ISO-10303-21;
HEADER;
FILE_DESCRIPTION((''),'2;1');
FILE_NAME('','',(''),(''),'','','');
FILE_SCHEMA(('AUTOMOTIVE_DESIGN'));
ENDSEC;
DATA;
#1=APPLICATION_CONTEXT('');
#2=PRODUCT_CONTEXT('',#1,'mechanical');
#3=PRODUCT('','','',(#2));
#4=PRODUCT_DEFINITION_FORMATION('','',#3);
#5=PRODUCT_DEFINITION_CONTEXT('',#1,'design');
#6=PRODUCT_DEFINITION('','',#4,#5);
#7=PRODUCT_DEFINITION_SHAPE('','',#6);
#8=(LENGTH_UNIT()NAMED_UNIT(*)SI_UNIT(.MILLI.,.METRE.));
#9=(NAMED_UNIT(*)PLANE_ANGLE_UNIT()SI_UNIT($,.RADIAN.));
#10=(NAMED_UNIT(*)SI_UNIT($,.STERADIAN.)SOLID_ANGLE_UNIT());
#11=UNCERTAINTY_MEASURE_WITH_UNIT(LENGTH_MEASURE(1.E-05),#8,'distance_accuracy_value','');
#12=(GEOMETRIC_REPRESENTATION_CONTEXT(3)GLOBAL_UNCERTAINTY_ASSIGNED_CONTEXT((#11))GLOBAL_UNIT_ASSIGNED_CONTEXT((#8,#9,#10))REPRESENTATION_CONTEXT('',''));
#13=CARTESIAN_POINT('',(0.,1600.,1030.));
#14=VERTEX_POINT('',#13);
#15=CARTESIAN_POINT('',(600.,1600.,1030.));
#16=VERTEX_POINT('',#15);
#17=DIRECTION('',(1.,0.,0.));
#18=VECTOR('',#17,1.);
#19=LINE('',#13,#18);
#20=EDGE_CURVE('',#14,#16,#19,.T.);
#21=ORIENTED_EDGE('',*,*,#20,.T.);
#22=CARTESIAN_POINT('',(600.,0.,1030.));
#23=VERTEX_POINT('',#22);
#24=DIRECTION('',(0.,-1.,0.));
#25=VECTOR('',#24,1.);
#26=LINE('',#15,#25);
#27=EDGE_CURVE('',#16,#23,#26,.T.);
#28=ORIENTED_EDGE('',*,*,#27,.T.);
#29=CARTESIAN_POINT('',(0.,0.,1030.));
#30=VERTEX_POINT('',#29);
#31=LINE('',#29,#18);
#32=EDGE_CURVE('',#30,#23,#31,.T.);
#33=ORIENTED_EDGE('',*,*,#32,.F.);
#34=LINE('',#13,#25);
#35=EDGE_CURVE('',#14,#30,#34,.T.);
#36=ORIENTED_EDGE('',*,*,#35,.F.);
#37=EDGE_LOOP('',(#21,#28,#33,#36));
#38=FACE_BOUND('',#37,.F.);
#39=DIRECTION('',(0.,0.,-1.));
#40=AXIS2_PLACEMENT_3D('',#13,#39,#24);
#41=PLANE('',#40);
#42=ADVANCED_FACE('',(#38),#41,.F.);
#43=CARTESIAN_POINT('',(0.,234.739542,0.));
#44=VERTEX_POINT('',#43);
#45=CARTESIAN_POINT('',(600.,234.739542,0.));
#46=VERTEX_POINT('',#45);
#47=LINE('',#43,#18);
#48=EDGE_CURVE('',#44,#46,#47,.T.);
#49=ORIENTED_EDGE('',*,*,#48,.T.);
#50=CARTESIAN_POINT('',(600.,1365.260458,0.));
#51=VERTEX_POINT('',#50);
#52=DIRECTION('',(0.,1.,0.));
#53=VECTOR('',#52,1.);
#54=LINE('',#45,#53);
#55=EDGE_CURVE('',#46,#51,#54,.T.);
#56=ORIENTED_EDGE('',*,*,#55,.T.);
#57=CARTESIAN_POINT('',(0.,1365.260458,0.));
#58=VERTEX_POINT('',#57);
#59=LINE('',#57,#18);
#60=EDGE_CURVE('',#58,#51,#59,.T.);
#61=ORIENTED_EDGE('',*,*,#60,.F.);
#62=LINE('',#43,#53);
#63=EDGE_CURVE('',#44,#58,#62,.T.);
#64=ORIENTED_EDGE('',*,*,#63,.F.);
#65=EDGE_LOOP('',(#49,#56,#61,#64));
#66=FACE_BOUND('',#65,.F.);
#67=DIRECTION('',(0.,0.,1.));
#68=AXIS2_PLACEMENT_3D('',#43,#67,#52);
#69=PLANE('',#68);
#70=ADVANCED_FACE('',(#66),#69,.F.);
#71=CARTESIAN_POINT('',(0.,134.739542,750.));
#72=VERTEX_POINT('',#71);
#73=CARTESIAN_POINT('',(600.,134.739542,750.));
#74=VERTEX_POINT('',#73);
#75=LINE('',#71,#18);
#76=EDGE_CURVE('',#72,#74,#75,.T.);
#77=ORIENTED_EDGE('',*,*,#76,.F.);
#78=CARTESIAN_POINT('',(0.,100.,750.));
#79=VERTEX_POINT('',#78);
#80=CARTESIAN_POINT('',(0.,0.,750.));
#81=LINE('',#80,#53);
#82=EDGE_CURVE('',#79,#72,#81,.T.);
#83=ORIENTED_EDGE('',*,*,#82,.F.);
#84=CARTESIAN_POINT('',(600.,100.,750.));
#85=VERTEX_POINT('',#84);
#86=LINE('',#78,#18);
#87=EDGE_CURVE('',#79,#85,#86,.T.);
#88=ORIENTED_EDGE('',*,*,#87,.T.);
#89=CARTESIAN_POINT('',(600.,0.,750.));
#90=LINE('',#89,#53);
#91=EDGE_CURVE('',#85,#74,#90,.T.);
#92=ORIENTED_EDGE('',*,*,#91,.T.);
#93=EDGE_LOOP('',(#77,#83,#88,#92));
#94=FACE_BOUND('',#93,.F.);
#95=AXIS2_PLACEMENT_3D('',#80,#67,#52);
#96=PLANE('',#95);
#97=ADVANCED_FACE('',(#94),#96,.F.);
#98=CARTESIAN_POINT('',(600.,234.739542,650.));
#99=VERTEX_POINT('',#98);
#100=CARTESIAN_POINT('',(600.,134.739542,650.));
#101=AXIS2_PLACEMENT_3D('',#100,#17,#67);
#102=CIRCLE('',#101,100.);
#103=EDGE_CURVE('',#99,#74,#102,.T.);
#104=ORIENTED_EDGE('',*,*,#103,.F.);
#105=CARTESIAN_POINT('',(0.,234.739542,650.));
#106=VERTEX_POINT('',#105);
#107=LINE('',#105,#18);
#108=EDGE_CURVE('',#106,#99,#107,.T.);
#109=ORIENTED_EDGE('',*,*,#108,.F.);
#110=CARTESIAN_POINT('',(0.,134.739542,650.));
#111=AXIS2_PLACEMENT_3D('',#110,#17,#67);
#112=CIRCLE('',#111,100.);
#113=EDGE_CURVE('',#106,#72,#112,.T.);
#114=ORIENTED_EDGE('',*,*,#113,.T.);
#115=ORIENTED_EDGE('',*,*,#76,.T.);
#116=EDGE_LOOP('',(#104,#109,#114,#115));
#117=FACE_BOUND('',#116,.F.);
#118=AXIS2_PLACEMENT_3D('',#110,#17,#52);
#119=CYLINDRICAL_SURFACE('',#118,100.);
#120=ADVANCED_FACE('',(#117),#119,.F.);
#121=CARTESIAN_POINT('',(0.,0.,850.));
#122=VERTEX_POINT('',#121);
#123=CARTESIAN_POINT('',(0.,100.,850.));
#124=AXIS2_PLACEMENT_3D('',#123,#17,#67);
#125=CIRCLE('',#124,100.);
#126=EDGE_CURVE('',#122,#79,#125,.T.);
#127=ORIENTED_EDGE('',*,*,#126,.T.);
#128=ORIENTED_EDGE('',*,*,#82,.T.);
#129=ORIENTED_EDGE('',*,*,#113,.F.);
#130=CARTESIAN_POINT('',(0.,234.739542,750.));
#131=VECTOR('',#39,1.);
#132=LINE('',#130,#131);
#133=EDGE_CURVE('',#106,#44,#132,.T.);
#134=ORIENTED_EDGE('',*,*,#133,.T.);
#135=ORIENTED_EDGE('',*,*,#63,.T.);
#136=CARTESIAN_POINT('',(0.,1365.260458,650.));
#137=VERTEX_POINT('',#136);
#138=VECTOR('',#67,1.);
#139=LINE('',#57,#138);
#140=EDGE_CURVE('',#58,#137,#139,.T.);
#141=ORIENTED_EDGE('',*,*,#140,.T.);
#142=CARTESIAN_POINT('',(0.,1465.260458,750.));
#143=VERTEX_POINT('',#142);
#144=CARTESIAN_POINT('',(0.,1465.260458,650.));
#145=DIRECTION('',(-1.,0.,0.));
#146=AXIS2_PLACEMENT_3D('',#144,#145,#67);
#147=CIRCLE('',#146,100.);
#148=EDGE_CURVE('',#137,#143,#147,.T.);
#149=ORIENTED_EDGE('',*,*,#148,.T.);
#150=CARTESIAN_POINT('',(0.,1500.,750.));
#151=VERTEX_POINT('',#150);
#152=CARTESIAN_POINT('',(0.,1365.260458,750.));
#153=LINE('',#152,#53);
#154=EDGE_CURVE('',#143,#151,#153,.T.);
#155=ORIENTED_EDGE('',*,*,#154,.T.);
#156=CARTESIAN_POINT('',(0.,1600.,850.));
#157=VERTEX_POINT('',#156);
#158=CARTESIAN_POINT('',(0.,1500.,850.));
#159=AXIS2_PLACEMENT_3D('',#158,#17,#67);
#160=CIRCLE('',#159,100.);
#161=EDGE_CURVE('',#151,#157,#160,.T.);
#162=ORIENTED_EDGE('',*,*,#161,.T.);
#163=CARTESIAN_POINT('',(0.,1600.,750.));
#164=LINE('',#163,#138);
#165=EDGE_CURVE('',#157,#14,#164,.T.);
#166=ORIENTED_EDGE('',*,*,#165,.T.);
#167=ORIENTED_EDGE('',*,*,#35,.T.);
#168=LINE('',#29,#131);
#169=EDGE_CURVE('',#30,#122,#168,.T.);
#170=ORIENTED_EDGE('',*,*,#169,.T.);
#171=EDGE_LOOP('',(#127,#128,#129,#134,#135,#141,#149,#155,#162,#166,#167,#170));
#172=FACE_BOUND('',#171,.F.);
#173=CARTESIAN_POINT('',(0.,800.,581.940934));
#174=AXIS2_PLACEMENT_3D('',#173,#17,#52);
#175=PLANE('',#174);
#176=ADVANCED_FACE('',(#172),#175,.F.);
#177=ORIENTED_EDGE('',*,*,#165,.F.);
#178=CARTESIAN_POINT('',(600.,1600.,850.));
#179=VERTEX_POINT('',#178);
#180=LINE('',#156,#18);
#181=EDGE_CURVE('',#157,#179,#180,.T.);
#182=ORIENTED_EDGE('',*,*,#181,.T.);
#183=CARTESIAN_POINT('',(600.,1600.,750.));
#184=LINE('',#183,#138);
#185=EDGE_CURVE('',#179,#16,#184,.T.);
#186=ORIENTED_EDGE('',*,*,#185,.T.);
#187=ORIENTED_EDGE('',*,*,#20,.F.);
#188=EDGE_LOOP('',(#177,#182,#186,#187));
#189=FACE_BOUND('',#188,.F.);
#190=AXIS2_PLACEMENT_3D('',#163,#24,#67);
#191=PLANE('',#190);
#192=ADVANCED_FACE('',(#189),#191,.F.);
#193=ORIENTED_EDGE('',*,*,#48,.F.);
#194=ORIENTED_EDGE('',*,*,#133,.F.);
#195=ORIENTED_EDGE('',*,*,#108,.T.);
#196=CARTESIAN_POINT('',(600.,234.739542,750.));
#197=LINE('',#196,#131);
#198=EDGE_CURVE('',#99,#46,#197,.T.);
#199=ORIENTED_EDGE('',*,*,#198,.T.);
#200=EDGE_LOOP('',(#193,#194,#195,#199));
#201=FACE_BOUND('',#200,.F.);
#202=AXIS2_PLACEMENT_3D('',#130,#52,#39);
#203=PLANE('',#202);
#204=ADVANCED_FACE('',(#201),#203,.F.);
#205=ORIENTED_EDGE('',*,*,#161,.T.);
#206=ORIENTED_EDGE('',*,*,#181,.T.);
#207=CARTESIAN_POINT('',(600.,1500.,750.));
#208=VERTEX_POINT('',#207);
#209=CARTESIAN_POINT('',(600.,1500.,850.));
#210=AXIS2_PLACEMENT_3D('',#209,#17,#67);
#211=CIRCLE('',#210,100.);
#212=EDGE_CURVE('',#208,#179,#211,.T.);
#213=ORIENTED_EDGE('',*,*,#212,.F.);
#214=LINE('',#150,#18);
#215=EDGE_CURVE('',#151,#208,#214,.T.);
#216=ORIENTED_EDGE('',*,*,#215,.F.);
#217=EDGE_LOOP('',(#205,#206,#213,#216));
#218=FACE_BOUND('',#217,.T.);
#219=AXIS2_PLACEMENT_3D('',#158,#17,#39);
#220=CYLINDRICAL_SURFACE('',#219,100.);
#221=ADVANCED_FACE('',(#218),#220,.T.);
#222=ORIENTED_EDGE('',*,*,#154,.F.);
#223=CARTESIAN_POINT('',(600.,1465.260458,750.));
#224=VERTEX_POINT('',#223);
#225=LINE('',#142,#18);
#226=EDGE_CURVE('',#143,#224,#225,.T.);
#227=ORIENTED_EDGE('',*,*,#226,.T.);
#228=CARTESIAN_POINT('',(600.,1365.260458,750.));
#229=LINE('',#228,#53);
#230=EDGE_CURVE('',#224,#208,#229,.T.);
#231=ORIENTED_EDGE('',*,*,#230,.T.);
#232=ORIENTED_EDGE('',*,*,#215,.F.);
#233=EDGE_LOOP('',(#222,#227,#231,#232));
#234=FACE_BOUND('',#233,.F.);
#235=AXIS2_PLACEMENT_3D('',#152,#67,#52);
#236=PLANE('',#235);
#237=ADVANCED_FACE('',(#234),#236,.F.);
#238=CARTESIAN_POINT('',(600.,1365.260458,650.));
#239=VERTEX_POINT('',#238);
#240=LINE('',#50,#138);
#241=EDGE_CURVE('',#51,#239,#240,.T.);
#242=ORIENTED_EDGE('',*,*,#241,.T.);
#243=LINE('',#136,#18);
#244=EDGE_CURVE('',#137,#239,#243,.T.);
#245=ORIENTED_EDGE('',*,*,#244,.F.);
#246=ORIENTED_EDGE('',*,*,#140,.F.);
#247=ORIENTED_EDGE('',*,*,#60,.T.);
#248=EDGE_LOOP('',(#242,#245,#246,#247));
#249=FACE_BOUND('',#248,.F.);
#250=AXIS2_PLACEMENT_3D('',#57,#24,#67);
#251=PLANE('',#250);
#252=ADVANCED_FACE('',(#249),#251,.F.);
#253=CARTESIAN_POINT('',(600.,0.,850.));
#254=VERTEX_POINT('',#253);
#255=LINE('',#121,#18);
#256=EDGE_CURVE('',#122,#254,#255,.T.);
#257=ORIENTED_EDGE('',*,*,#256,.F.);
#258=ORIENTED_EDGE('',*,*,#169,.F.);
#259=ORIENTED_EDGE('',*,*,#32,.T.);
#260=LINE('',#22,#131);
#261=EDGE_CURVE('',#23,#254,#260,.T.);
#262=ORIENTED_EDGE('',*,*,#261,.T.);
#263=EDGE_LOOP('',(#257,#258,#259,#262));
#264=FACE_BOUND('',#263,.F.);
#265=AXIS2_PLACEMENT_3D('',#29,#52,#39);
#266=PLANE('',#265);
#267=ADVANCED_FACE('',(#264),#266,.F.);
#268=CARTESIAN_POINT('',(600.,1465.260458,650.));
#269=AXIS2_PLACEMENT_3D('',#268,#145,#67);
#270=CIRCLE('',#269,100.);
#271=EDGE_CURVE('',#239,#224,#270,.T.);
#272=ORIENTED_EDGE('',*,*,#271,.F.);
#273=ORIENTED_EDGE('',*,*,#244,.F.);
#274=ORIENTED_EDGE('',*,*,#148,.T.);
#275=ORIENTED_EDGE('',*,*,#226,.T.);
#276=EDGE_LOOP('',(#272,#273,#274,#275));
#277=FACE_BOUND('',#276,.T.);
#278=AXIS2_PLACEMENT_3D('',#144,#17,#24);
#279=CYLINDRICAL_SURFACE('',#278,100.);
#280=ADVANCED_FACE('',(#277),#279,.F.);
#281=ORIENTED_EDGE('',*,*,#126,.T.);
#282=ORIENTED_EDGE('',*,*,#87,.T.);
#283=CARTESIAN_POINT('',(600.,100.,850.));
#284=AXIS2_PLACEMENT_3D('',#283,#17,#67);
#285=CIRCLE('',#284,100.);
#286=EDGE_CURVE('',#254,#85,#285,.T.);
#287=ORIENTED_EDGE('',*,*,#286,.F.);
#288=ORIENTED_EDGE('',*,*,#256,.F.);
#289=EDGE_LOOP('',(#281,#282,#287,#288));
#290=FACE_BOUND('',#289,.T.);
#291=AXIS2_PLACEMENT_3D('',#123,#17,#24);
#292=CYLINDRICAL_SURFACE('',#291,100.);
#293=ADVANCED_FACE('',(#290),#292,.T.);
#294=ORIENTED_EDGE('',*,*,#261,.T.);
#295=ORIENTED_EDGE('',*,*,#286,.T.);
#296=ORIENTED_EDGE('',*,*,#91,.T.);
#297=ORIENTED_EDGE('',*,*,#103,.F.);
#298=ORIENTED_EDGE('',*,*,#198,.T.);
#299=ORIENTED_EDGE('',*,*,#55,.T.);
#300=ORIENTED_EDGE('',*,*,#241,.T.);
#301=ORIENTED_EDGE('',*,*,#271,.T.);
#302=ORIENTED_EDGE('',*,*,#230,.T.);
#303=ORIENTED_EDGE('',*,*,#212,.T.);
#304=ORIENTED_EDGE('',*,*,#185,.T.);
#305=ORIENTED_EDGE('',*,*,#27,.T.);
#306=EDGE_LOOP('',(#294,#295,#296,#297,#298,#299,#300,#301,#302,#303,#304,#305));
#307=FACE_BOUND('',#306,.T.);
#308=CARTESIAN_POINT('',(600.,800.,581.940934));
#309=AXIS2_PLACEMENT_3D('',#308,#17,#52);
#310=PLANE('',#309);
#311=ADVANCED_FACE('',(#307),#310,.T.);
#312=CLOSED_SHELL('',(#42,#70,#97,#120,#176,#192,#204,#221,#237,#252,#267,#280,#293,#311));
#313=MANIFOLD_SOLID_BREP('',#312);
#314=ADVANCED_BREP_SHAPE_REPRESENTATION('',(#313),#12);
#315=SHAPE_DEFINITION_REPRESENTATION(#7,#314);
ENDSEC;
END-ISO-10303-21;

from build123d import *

# Parameters (mm, degrees)
F1_DEPTH = 600
F2_R     = 100


with BuildPart() as f1:
    # F0 (on Right) → F1 (new body)
    with BuildSketch(Plane.YZ):
        Polygon((234.739542, 750), (234.739542, 0), (1365.260458, 0), (1365.260458, 750), (1600, 750), (1600, 1030), (0, 1030), (0, 750), align=None)
    extrude(amount=F1_DEPTH)

    # F2
    f2_edges = [f1.edges().sort_by_distance(p)[0] for p in [
        (300, 234.739542, 750),
        (300, 0, 750),
        (300, 1365.260458, 750),
        (300, 1600, 750),
    ]]
    fillet(f2_edges, radius=F2_R)


solid = f1.part
